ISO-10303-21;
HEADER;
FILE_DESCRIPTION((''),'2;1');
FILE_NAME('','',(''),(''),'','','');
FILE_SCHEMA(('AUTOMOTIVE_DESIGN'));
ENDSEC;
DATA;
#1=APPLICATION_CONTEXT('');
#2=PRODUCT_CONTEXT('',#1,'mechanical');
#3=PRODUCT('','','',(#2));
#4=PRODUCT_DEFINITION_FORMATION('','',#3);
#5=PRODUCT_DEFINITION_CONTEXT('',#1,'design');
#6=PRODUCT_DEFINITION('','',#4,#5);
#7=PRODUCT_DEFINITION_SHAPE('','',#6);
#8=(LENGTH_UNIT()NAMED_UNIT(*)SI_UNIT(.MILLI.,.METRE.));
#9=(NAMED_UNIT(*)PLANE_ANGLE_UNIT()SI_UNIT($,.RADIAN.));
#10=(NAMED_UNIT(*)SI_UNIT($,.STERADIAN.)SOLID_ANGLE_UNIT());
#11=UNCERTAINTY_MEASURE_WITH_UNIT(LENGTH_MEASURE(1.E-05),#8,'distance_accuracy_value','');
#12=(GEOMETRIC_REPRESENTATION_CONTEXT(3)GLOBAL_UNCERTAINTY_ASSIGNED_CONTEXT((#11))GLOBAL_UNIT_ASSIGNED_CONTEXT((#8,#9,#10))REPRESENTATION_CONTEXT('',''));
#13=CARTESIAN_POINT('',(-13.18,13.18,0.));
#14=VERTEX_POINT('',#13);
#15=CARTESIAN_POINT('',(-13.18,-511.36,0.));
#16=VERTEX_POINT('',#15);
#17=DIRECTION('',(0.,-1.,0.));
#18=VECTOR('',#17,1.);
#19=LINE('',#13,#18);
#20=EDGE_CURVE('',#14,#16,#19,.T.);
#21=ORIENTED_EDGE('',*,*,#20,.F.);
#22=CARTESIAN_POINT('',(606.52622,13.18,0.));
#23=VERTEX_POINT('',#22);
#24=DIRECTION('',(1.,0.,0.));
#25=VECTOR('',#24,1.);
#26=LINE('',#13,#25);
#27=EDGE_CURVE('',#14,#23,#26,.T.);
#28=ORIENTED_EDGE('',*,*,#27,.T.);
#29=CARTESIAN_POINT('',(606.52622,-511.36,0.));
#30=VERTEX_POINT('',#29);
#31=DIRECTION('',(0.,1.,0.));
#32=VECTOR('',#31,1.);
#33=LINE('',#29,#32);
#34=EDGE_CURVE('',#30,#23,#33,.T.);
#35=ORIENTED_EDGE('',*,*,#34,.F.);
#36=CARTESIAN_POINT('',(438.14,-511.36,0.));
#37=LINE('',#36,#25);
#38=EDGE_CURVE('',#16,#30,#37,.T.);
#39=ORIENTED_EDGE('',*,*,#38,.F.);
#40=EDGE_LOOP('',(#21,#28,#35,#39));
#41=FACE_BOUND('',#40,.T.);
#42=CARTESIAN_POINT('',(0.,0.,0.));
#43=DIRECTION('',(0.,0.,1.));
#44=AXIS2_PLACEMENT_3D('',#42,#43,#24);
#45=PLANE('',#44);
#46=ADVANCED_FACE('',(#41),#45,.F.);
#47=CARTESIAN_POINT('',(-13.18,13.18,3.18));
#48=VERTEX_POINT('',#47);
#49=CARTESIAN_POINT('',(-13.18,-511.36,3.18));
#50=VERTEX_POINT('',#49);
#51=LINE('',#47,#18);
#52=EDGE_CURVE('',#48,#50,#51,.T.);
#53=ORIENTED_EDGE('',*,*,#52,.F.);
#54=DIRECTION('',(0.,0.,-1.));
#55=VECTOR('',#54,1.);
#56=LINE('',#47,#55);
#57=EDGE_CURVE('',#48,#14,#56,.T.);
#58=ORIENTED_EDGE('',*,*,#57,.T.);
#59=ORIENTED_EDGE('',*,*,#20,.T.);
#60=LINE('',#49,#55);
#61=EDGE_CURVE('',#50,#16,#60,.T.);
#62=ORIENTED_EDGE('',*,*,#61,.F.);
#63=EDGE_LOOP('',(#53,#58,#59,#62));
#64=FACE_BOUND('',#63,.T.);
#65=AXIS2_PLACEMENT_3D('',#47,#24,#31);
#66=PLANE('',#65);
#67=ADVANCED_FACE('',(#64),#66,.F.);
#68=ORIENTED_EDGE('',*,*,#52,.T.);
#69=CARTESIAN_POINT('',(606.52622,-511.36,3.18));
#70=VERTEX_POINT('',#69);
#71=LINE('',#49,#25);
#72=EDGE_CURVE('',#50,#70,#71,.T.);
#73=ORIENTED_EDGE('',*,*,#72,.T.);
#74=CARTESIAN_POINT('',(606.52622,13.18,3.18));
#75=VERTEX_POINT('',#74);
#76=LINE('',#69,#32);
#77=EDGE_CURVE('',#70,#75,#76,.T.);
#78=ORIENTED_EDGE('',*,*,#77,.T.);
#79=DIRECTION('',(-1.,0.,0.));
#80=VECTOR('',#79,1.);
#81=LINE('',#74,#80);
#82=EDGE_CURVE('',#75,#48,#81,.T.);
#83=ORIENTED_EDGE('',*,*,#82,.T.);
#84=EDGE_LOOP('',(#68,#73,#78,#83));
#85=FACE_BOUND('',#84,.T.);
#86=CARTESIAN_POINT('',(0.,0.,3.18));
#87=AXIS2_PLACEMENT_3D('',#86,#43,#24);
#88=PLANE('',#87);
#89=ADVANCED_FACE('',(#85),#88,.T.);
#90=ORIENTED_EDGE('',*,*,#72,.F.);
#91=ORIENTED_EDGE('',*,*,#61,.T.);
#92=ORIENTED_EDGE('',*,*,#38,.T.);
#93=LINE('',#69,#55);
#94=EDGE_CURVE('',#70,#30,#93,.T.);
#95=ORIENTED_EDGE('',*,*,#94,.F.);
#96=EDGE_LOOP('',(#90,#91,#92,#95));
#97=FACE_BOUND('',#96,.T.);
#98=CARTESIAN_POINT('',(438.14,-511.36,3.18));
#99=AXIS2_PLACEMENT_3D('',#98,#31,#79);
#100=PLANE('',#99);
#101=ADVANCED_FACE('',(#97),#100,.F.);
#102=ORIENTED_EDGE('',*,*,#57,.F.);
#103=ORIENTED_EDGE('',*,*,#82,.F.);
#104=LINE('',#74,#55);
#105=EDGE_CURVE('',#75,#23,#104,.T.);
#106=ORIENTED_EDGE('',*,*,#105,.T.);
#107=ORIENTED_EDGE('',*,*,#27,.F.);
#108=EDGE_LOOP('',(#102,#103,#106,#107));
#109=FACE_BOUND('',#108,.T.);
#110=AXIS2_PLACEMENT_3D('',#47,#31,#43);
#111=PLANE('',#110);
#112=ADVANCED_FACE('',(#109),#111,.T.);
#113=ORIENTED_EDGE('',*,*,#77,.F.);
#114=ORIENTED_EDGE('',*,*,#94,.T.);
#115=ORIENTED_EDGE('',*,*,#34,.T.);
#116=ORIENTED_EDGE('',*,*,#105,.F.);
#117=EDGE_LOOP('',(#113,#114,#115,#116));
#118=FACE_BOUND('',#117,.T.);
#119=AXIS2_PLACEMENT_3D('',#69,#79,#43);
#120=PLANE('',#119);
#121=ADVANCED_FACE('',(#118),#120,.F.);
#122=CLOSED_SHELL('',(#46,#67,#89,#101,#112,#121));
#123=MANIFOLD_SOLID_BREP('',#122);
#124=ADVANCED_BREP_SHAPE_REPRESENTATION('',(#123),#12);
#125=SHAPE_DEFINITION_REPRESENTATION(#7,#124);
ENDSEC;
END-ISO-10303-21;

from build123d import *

# Parameters (mm, degrees)
BOSS_EXTRUDE1_DEPTH = 3.18


with BuildPart() as part:
    # Sketch1 → Boss-Extrude1 (new body)
    with BuildSketch(Plane.XY):
        Polygon((-13.18, 13.18), (438.14, 13.18), (606.526220458, 13.18), (606.526220458, -511.36), (438.14, -511.36), (-13.18, -511.36), align=None)
    extrude(amount=BOSS_EXTRUDE1_DEPTH)


solid = part.part
